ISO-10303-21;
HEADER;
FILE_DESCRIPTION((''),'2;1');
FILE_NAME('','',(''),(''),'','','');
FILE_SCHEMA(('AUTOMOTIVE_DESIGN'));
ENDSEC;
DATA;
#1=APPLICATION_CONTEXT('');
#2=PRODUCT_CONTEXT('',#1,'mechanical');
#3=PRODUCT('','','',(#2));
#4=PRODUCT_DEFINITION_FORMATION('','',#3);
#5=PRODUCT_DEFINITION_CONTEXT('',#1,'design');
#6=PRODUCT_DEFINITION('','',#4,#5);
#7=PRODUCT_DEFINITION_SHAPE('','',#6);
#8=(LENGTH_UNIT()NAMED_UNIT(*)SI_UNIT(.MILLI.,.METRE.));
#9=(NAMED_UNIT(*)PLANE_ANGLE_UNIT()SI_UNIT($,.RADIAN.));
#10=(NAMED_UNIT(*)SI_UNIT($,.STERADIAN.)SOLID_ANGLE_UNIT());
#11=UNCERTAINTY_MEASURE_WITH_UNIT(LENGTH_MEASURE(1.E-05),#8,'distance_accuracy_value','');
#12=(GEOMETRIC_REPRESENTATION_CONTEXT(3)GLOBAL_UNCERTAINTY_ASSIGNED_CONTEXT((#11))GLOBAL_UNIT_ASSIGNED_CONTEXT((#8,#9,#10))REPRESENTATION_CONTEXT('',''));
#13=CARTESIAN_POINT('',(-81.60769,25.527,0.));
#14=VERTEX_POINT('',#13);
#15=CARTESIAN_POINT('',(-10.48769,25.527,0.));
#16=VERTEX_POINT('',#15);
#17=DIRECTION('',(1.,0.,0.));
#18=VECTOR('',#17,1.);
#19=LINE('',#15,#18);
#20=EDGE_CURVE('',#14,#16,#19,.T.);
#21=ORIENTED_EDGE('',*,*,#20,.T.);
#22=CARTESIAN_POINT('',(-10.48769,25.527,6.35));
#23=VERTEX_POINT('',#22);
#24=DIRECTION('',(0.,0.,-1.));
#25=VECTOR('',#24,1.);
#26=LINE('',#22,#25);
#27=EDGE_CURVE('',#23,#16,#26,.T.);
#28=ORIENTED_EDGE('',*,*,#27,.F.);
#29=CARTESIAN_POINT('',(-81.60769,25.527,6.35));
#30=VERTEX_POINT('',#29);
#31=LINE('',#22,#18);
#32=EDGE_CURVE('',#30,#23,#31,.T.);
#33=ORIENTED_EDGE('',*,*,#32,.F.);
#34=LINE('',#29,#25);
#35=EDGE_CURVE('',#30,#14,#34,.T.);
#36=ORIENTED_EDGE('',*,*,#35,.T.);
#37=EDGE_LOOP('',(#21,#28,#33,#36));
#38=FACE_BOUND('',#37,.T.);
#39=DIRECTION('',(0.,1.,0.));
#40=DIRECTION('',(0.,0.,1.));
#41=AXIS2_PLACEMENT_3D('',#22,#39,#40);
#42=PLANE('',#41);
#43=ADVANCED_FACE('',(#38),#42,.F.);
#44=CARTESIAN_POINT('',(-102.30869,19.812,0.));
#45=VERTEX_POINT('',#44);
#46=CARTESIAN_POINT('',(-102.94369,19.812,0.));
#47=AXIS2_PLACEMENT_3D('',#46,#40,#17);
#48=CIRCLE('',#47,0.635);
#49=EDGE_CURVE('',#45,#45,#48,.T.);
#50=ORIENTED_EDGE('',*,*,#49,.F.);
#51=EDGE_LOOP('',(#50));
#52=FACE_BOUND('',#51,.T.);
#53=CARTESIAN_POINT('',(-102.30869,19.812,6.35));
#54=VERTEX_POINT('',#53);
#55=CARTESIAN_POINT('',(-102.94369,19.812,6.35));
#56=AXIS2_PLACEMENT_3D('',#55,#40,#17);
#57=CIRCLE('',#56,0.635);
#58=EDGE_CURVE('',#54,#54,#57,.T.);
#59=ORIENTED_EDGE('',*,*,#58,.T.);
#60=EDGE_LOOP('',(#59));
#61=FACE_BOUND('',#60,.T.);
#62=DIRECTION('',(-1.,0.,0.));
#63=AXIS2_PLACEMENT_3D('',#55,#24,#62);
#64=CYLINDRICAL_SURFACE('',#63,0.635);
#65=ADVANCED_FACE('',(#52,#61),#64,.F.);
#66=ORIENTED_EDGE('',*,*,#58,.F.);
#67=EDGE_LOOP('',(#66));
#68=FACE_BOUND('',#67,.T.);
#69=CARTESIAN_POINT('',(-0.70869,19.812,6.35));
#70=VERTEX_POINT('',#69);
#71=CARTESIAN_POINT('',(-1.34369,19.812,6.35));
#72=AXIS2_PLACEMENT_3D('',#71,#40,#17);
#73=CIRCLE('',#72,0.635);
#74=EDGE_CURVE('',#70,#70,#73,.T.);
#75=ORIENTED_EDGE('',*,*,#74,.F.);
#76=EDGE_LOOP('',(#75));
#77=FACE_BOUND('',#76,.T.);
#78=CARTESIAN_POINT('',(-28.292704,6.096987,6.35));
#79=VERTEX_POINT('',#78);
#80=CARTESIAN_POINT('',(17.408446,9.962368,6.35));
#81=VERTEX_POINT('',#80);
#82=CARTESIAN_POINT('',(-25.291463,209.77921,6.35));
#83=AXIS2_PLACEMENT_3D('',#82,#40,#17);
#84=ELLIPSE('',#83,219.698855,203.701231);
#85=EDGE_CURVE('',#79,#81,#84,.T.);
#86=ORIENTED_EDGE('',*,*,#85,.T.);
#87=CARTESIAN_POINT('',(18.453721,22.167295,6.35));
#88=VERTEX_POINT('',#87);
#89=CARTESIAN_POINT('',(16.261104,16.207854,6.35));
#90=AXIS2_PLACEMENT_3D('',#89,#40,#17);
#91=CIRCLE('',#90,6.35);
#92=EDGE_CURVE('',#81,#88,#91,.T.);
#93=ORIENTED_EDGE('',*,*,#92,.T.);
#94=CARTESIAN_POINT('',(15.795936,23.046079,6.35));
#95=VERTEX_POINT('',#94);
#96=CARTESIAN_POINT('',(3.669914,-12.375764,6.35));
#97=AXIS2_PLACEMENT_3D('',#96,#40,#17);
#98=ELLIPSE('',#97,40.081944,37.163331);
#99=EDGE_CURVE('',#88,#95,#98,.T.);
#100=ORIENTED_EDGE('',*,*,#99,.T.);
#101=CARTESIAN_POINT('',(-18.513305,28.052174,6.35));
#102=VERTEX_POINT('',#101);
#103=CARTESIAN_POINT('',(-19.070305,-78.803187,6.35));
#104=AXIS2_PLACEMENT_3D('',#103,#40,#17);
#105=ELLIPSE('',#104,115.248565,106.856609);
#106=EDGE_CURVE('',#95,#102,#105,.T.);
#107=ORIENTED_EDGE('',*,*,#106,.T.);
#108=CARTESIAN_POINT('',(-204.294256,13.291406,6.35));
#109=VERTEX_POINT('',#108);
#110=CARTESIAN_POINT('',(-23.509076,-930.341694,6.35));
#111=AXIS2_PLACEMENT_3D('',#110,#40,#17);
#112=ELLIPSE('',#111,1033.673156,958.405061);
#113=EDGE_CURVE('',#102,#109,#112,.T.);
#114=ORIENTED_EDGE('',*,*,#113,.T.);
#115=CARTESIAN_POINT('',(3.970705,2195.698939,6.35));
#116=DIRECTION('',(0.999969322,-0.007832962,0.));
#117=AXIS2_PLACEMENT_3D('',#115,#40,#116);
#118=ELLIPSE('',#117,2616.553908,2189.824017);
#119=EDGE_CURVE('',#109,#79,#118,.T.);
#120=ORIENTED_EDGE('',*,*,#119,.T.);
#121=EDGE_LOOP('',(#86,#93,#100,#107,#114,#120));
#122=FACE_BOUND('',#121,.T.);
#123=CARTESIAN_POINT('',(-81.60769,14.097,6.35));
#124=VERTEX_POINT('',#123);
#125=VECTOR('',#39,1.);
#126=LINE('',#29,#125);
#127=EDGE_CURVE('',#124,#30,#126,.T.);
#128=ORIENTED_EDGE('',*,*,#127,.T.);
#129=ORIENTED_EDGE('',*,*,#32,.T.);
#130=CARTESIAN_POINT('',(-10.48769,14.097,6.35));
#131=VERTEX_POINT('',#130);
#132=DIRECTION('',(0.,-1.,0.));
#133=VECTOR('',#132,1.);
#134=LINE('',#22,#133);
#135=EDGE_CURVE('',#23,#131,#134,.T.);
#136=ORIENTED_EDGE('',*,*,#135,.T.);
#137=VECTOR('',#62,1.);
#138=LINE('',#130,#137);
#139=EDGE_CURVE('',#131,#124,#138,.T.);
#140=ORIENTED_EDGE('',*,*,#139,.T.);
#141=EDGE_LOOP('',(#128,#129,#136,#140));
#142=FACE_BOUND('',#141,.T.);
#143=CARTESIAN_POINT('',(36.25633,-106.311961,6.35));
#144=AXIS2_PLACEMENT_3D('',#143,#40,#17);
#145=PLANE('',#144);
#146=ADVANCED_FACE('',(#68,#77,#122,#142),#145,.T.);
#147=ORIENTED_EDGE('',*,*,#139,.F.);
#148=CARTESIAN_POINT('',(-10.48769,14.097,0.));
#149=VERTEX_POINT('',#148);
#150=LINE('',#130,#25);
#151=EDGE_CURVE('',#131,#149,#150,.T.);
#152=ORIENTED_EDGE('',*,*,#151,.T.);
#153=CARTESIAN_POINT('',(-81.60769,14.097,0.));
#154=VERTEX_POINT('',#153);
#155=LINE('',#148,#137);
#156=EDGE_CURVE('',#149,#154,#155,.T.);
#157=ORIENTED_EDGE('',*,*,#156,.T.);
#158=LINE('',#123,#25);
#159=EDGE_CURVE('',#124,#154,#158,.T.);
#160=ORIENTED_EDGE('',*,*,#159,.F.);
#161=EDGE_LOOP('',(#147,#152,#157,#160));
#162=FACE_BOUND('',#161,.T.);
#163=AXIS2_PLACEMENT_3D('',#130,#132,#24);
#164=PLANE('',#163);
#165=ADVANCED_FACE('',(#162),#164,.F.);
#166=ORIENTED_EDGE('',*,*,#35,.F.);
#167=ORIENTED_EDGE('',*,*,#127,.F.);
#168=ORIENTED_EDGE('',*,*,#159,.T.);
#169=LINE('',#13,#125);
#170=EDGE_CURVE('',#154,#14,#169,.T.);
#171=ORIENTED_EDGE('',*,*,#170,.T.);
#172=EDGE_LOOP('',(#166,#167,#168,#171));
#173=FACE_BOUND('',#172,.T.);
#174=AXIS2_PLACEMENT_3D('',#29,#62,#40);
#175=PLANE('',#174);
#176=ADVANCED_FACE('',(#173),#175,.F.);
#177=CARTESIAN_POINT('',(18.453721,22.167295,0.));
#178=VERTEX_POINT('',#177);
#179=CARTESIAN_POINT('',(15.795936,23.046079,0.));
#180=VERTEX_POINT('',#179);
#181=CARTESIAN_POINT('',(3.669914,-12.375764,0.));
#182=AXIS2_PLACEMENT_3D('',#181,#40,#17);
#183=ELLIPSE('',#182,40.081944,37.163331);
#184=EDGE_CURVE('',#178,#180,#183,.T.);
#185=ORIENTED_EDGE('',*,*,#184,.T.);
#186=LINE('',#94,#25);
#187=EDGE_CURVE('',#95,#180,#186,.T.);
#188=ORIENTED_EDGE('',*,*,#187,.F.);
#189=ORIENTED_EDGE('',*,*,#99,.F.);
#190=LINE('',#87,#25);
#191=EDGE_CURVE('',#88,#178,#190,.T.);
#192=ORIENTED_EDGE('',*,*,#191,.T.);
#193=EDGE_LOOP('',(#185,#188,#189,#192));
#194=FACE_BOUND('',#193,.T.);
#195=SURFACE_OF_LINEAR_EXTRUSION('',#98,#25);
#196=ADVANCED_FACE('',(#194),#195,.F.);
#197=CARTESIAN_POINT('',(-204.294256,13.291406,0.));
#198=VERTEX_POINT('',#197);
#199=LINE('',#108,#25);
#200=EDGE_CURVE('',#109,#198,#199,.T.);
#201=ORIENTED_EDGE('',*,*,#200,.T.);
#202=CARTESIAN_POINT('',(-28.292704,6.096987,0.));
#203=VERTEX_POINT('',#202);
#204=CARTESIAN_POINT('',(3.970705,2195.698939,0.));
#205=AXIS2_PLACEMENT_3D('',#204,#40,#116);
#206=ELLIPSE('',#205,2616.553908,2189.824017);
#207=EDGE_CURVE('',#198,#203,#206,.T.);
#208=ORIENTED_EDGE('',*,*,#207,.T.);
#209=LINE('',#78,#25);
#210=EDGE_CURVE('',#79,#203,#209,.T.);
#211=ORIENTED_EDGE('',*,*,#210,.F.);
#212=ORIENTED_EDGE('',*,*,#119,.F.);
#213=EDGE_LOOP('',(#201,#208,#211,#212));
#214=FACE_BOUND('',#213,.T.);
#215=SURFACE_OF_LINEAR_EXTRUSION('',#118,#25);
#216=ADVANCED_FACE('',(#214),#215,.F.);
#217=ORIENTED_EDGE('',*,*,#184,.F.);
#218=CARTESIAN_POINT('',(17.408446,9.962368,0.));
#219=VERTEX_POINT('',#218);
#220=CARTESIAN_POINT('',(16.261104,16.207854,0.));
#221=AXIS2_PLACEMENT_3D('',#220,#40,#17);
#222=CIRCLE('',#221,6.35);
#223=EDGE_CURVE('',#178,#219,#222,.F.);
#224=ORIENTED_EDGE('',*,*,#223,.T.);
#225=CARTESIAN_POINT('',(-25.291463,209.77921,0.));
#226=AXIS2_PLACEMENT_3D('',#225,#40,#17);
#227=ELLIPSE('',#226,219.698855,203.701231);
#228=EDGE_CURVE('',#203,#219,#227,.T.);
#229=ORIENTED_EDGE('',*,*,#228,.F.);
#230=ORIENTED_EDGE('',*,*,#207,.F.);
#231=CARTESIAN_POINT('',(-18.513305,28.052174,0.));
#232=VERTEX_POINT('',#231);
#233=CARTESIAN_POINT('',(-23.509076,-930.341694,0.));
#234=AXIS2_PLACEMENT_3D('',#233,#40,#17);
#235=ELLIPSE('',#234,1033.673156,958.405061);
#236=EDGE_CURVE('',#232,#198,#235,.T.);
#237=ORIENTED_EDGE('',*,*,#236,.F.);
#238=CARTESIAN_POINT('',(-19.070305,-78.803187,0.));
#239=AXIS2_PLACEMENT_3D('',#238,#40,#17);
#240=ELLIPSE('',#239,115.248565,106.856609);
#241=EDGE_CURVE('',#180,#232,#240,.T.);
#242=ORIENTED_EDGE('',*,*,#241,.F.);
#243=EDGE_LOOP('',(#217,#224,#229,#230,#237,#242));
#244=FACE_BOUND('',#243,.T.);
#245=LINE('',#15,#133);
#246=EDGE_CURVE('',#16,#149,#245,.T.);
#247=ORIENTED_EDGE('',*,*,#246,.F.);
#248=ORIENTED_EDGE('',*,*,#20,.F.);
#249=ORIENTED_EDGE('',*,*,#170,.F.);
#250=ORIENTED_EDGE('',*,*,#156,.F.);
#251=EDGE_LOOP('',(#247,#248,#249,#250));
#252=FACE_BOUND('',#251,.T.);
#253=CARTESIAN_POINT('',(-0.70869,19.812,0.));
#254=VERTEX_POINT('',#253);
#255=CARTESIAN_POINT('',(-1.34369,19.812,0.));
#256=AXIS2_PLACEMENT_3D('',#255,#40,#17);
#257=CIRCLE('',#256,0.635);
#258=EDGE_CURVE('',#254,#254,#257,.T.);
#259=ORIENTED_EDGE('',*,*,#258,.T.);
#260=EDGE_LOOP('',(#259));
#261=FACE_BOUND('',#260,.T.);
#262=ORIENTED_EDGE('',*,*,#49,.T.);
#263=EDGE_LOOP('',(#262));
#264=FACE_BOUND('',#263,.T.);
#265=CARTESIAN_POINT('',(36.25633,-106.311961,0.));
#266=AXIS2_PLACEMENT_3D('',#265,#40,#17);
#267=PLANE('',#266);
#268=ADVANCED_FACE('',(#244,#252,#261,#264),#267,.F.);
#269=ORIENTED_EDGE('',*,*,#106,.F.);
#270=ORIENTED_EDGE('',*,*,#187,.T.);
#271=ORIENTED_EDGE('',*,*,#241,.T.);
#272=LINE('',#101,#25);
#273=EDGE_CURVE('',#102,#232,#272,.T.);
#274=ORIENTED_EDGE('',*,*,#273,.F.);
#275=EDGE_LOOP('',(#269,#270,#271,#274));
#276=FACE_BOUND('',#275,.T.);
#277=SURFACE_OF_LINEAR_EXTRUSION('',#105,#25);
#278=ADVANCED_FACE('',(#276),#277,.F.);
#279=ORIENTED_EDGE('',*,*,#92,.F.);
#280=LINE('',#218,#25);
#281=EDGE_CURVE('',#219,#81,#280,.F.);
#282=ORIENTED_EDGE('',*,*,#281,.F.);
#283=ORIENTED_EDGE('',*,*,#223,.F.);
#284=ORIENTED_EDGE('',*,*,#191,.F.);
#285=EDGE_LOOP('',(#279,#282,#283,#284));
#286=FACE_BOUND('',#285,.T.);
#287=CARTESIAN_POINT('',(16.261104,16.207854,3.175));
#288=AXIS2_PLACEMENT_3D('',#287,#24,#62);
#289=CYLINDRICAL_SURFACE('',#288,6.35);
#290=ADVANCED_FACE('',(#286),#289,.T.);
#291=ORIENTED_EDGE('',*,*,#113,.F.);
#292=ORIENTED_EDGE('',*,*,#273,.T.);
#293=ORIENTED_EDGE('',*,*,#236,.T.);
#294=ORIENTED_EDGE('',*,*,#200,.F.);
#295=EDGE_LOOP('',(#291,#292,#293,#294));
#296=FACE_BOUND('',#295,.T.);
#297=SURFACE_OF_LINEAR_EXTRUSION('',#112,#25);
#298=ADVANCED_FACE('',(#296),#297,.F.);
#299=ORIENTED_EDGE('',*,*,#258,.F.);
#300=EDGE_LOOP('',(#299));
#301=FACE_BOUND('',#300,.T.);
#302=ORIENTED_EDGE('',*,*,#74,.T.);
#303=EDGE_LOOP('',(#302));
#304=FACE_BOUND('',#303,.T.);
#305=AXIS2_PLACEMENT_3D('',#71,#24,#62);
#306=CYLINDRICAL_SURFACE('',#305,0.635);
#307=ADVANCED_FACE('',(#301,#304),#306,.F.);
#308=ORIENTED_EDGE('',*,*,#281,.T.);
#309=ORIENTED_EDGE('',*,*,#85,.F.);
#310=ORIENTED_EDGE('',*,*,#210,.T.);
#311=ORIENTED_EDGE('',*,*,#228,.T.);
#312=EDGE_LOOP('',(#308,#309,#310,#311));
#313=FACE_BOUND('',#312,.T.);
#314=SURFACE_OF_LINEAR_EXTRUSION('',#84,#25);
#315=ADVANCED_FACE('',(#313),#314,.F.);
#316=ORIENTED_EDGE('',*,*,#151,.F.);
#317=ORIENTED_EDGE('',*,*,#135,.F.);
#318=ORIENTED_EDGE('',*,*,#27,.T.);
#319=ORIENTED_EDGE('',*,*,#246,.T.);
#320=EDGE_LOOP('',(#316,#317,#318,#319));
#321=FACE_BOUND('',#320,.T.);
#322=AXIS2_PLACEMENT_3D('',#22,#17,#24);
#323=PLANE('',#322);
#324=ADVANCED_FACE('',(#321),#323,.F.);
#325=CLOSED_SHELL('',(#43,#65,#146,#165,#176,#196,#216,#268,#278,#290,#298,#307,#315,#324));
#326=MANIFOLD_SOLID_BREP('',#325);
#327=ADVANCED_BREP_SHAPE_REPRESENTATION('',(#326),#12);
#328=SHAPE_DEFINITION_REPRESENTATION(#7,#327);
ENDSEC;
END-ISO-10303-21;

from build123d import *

# Parameters (mm, degrees)
BOSS_EXTRUDE1_DEPTH = 6.35
FILLET1_R           = 6.35
SKETCH2_W           = 71.12
SKETCH2_H           = 11.43
CUT_EXTRUDE1_DEPTH  = 207.956858886
SKETCH3_R           = 0.635
CUT_EXTRUDE2_DEPTH  = 207.956858886
SKETCH6_OUTSIDE_W   = 361.165
SKETCH6_OUTSIDE_H   = 90.651
CUT_EXTRUDE4_DEPTH  = 207.956858886
FILLET3_R           = 6.35


with BuildPart() as part:
    # Sketch1 → Boss-Extrude1 (new body)
    with BuildSketch(Plane.XY):
        with BuildLine():
            add(Edge.make_bspline(
                [(36.979706214, 32.461234237), (-84.593483907, 33.006022806), (-204.294256369, 13.29140622)],
                knots=[1.565963281, 1.565963281, 1.565963281, 1.746596348, 1.746596348, 1.746596348], degree=2, weights=[1, 0.995924234, 1]))
            add(Edge.make_bspline(
                [(-204.294256369, 13.29140622), (-90.184781375, 5.397938815), (24.279187945, 3.948004614)],
                knots=[4.63926443, 4.63926443, 4.63926443, 4.706613661, 4.706613661, 4.706613661], degree=2, weights=[1, 0.999433064, 1]))
            add(Edge.make_bspline(
                [(24.279187945, 3.948004614), (64.56807699, 3.437658533), (103.433890649, 13.29140622)],
                knots=[4.698727851, 4.698727851, 4.698727851, 4.979307673, 4.979307673, 4.979307673], degree=2, weights=[1, 0.9901755, 1]))
            add(Edge.make_bspline(
                [(103.433890649, 13.29140622), (94.233757809, 22.223302177), (81.53716289, 25.9598127)],
                knots=[0.762399197, 0.762399197, 0.762399197, 1.263449558, 1.263449558, 1.263449558], degree=2, weights=[1, 0.968782356, 1]))
            add(Edge.make_bspline(
                [(81.53716289, 25.9598127), (59.792823381, 32.359005074), (36.979706214, 32.461234237)],
                knots=[1.263449558, 1.263449558, 1.263449558, 1.565963281, 1.565963281, 1.565963281], degree=2, weights=[1, 0.988582474, 1]))
        make_face()
    extrude(amount=BOSS_EXTRUDE1_DEPTH)

    # Fillet1
    fillet1_edges = [part.edges().sort_by_distance(p)[0] for p in [
        (103.433890649, 13.29140622, 3.175),
    ]]
    fillet(fillet1_edges, radius=FILLET1_R)

    # Sketch2 → Cut-Extrude1 (cut, through all)
    with BuildSketch(Plane(origin=(0, 0, 0), x_dir=(-1, 0, 0), z_dir=(0, 0, -1))):
        with Locations((46.047690277, 19.812)):
            Rectangle(SKETCH2_W, SKETCH2_H)
    extrude(amount=-CUT_EXTRUDE1_DEPTH, mode=Mode.SUBTRACT)

    # Sketch3 → Cut-Extrude2 (cut, through all)
    with BuildSketch(Plane.XY):
        with Locations((-1.343690277, 19.812)):
            Circle(SKETCH3_R)
        with Locations((-102.943690277, 19.812)):
            Circle(SKETCH3_R)
    extrude(amount=CUT_EXTRUDE2_DEPTH, mode=Mode.SUBTRACT)

    # Sketch6 outside → Cut-Extrude4 (cut, through all)
    with BuildSketch(Plane.XY):
        with Locations((-54.7605, 18.1995)):
            Rectangle(SKETCH6_OUTSIDE_W, SKETCH6_OUTSIDE_H)
        with BuildLine():
            add(Edge.make_bspline(
                [(-18.51330518, 28.052173793), (-112.124661574, 28.471660991), (-204.294256369, 13.29140622)],
                knots=[1.565963281, 1.565963281, 1.565963281, 1.746596348, 1.746596348, 1.746596348], degree=2, weights=[1, 0.995924234, 1]))
            add(Edge.make_bspline(
                [(-204.294256369, 13.29140622), (-116.429960623, 7.213436318), (-28.292704248, 6.096986983)],
                knots=[1.497671776, 1.497671776, 1.497671776, 1.565021007, 1.565021007, 1.565021007], degree=2, weights=[1, 0.999433064, 1]))
            add(Edge.make_bspline(
                [(-28.292704248, 6.096986983), (2.729740317, 5.704020501), (32.656416835, 13.29140622)],
                knots=[4.698727851, 4.698727851, 4.698727851, 4.979307673, 4.979307673, 4.979307673], degree=2, weights=[1, 0.9901755, 1]))
            add(Edge.make_bspline(
                [(32.656416835, 13.29140622), (25.572314548, 20.168966107), (15.79593646, 23.046079209)],
                knots=[0.762399197, 0.762399197, 0.762399197, 1.263449558, 1.263449558, 1.263449558], degree=2, weights=[1, 0.968782356, 1]))
            add(Edge.make_bspline(
                [(15.79593646, 23.046079209), (-0.947204961, 27.973457337), (-18.51330518, 28.052173793)],
                knots=[1.263449558, 1.263449558, 1.263449558, 1.565963281, 1.565963281, 1.565963281], degree=2, weights=[1, 0.988582474, 1]))
        make_face(mode=Mode.SUBTRACT)
    extrude(amount=CUT_EXTRUDE4_DEPTH, mode=Mode.SUBTRACT)

    # Fillet3
    fillet3_edges = [part.edges().sort_by_distance(p)[0] for p in [
        (32.656416835, 13.29140622, 3.175),
    ]]
    fillet(fillet3_edges, radius=FILLET3_R)


solid = part.part
